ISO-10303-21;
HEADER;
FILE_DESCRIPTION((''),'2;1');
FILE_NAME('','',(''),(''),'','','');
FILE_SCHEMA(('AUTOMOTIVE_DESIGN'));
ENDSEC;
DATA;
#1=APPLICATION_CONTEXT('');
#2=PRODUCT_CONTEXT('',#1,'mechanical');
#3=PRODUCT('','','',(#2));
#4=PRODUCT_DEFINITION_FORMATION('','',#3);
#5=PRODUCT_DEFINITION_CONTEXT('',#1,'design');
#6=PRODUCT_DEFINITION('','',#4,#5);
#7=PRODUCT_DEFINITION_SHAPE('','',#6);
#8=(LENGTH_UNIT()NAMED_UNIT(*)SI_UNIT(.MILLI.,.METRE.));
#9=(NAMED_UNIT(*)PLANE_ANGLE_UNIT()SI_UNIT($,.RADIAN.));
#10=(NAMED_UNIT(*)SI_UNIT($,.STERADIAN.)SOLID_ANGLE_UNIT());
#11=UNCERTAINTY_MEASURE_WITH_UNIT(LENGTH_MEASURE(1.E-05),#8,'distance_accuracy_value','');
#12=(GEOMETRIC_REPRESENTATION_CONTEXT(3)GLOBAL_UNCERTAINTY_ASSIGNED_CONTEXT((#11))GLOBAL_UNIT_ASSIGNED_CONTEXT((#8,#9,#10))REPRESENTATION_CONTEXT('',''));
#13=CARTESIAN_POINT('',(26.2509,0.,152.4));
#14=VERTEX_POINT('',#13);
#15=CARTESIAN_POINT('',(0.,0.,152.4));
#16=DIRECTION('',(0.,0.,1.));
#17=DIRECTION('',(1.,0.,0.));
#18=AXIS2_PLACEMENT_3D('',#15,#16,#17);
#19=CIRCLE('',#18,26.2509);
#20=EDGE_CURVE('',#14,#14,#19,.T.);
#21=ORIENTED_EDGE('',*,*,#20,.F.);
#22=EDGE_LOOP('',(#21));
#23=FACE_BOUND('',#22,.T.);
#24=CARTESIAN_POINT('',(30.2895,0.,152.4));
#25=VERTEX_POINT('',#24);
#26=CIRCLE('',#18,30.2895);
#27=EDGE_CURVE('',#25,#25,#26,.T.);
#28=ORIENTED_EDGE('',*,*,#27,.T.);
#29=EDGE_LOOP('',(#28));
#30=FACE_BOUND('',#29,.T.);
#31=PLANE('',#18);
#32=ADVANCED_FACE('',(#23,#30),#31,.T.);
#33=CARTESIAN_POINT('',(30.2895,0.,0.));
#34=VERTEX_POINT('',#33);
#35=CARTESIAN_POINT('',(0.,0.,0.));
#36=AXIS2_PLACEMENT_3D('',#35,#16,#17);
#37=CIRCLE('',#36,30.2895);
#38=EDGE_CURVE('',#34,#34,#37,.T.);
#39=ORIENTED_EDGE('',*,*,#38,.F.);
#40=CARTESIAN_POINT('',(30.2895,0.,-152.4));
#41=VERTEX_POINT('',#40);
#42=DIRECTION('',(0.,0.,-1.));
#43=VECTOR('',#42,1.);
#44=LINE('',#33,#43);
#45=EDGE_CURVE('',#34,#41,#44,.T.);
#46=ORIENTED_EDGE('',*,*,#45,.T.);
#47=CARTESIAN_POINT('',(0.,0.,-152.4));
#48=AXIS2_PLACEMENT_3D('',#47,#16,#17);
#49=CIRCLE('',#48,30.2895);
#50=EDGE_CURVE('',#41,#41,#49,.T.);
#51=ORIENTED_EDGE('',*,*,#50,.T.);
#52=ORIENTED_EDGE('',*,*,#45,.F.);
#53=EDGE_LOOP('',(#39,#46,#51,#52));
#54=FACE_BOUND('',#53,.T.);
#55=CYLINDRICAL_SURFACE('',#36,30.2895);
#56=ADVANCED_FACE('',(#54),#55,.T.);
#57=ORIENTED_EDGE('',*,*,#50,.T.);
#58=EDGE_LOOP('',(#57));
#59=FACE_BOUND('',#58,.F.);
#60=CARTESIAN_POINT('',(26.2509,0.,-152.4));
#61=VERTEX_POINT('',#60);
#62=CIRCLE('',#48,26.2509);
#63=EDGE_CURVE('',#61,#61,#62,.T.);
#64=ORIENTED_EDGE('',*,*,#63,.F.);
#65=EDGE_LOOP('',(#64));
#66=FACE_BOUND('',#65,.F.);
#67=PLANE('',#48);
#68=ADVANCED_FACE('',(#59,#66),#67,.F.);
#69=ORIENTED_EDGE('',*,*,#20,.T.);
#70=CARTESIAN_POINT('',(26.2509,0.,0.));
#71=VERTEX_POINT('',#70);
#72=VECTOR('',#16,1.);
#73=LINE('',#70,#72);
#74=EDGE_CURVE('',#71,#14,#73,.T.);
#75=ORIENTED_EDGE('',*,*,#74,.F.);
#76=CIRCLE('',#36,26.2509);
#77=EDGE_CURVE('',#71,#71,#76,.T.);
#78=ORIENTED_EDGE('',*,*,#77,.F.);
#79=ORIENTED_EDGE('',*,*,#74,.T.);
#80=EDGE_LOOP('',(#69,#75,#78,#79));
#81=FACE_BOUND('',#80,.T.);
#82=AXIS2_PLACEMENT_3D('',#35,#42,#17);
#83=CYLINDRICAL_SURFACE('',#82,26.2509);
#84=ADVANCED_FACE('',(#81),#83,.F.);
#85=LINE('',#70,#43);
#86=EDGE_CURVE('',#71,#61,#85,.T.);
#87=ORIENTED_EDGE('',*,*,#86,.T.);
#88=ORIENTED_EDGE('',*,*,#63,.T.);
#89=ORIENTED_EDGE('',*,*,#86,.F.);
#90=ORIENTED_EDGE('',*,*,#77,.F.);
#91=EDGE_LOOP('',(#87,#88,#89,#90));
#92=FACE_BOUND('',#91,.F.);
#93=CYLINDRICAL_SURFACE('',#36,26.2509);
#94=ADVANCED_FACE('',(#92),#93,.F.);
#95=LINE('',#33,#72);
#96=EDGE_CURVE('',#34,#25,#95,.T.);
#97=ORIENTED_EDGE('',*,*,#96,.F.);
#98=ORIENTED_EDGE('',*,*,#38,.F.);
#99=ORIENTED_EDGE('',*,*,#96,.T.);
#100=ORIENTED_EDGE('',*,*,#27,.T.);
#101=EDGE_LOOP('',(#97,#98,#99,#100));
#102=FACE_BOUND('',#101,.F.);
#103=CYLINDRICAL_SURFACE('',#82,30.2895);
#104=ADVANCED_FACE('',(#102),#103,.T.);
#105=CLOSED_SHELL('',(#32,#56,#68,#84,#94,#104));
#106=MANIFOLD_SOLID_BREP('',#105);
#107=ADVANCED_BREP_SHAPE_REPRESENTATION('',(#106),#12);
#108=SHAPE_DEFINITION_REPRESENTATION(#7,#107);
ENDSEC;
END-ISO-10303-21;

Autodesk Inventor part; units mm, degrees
ref_plane "XZ Plane" through (0, 0, 0) normal (0, 1, 0) x (-1, 0, 0)
ref_plane "XY Plane" through (0, 0, 0) normal (0, 0, 1) x (1, 0, 0)
sketch "Sketch1" plane through (0, 0, 0) normal (0, 0, 1) x (1, 0, 0)
  circle A0 centre (0, 0) radius 30.2895
  circle A1 centre (0, 0) radius 26.2509
  dimension "d0" = 60.579
  dimension "d1" = 52.5018
extrude "Extrusion1" add sketch "Sketch1" along normal mid plane 304.8
equation "\"d0\" = pipeOutsideDiameter"
equation "\"d1\" = pipeInsideDiameter"
equation "\"pipeOutsideDiameter\" = 60.579"
equation "\"pipeInsideDiameter\" = 52.5018"
properties part number "2inchPvcForBracket"
